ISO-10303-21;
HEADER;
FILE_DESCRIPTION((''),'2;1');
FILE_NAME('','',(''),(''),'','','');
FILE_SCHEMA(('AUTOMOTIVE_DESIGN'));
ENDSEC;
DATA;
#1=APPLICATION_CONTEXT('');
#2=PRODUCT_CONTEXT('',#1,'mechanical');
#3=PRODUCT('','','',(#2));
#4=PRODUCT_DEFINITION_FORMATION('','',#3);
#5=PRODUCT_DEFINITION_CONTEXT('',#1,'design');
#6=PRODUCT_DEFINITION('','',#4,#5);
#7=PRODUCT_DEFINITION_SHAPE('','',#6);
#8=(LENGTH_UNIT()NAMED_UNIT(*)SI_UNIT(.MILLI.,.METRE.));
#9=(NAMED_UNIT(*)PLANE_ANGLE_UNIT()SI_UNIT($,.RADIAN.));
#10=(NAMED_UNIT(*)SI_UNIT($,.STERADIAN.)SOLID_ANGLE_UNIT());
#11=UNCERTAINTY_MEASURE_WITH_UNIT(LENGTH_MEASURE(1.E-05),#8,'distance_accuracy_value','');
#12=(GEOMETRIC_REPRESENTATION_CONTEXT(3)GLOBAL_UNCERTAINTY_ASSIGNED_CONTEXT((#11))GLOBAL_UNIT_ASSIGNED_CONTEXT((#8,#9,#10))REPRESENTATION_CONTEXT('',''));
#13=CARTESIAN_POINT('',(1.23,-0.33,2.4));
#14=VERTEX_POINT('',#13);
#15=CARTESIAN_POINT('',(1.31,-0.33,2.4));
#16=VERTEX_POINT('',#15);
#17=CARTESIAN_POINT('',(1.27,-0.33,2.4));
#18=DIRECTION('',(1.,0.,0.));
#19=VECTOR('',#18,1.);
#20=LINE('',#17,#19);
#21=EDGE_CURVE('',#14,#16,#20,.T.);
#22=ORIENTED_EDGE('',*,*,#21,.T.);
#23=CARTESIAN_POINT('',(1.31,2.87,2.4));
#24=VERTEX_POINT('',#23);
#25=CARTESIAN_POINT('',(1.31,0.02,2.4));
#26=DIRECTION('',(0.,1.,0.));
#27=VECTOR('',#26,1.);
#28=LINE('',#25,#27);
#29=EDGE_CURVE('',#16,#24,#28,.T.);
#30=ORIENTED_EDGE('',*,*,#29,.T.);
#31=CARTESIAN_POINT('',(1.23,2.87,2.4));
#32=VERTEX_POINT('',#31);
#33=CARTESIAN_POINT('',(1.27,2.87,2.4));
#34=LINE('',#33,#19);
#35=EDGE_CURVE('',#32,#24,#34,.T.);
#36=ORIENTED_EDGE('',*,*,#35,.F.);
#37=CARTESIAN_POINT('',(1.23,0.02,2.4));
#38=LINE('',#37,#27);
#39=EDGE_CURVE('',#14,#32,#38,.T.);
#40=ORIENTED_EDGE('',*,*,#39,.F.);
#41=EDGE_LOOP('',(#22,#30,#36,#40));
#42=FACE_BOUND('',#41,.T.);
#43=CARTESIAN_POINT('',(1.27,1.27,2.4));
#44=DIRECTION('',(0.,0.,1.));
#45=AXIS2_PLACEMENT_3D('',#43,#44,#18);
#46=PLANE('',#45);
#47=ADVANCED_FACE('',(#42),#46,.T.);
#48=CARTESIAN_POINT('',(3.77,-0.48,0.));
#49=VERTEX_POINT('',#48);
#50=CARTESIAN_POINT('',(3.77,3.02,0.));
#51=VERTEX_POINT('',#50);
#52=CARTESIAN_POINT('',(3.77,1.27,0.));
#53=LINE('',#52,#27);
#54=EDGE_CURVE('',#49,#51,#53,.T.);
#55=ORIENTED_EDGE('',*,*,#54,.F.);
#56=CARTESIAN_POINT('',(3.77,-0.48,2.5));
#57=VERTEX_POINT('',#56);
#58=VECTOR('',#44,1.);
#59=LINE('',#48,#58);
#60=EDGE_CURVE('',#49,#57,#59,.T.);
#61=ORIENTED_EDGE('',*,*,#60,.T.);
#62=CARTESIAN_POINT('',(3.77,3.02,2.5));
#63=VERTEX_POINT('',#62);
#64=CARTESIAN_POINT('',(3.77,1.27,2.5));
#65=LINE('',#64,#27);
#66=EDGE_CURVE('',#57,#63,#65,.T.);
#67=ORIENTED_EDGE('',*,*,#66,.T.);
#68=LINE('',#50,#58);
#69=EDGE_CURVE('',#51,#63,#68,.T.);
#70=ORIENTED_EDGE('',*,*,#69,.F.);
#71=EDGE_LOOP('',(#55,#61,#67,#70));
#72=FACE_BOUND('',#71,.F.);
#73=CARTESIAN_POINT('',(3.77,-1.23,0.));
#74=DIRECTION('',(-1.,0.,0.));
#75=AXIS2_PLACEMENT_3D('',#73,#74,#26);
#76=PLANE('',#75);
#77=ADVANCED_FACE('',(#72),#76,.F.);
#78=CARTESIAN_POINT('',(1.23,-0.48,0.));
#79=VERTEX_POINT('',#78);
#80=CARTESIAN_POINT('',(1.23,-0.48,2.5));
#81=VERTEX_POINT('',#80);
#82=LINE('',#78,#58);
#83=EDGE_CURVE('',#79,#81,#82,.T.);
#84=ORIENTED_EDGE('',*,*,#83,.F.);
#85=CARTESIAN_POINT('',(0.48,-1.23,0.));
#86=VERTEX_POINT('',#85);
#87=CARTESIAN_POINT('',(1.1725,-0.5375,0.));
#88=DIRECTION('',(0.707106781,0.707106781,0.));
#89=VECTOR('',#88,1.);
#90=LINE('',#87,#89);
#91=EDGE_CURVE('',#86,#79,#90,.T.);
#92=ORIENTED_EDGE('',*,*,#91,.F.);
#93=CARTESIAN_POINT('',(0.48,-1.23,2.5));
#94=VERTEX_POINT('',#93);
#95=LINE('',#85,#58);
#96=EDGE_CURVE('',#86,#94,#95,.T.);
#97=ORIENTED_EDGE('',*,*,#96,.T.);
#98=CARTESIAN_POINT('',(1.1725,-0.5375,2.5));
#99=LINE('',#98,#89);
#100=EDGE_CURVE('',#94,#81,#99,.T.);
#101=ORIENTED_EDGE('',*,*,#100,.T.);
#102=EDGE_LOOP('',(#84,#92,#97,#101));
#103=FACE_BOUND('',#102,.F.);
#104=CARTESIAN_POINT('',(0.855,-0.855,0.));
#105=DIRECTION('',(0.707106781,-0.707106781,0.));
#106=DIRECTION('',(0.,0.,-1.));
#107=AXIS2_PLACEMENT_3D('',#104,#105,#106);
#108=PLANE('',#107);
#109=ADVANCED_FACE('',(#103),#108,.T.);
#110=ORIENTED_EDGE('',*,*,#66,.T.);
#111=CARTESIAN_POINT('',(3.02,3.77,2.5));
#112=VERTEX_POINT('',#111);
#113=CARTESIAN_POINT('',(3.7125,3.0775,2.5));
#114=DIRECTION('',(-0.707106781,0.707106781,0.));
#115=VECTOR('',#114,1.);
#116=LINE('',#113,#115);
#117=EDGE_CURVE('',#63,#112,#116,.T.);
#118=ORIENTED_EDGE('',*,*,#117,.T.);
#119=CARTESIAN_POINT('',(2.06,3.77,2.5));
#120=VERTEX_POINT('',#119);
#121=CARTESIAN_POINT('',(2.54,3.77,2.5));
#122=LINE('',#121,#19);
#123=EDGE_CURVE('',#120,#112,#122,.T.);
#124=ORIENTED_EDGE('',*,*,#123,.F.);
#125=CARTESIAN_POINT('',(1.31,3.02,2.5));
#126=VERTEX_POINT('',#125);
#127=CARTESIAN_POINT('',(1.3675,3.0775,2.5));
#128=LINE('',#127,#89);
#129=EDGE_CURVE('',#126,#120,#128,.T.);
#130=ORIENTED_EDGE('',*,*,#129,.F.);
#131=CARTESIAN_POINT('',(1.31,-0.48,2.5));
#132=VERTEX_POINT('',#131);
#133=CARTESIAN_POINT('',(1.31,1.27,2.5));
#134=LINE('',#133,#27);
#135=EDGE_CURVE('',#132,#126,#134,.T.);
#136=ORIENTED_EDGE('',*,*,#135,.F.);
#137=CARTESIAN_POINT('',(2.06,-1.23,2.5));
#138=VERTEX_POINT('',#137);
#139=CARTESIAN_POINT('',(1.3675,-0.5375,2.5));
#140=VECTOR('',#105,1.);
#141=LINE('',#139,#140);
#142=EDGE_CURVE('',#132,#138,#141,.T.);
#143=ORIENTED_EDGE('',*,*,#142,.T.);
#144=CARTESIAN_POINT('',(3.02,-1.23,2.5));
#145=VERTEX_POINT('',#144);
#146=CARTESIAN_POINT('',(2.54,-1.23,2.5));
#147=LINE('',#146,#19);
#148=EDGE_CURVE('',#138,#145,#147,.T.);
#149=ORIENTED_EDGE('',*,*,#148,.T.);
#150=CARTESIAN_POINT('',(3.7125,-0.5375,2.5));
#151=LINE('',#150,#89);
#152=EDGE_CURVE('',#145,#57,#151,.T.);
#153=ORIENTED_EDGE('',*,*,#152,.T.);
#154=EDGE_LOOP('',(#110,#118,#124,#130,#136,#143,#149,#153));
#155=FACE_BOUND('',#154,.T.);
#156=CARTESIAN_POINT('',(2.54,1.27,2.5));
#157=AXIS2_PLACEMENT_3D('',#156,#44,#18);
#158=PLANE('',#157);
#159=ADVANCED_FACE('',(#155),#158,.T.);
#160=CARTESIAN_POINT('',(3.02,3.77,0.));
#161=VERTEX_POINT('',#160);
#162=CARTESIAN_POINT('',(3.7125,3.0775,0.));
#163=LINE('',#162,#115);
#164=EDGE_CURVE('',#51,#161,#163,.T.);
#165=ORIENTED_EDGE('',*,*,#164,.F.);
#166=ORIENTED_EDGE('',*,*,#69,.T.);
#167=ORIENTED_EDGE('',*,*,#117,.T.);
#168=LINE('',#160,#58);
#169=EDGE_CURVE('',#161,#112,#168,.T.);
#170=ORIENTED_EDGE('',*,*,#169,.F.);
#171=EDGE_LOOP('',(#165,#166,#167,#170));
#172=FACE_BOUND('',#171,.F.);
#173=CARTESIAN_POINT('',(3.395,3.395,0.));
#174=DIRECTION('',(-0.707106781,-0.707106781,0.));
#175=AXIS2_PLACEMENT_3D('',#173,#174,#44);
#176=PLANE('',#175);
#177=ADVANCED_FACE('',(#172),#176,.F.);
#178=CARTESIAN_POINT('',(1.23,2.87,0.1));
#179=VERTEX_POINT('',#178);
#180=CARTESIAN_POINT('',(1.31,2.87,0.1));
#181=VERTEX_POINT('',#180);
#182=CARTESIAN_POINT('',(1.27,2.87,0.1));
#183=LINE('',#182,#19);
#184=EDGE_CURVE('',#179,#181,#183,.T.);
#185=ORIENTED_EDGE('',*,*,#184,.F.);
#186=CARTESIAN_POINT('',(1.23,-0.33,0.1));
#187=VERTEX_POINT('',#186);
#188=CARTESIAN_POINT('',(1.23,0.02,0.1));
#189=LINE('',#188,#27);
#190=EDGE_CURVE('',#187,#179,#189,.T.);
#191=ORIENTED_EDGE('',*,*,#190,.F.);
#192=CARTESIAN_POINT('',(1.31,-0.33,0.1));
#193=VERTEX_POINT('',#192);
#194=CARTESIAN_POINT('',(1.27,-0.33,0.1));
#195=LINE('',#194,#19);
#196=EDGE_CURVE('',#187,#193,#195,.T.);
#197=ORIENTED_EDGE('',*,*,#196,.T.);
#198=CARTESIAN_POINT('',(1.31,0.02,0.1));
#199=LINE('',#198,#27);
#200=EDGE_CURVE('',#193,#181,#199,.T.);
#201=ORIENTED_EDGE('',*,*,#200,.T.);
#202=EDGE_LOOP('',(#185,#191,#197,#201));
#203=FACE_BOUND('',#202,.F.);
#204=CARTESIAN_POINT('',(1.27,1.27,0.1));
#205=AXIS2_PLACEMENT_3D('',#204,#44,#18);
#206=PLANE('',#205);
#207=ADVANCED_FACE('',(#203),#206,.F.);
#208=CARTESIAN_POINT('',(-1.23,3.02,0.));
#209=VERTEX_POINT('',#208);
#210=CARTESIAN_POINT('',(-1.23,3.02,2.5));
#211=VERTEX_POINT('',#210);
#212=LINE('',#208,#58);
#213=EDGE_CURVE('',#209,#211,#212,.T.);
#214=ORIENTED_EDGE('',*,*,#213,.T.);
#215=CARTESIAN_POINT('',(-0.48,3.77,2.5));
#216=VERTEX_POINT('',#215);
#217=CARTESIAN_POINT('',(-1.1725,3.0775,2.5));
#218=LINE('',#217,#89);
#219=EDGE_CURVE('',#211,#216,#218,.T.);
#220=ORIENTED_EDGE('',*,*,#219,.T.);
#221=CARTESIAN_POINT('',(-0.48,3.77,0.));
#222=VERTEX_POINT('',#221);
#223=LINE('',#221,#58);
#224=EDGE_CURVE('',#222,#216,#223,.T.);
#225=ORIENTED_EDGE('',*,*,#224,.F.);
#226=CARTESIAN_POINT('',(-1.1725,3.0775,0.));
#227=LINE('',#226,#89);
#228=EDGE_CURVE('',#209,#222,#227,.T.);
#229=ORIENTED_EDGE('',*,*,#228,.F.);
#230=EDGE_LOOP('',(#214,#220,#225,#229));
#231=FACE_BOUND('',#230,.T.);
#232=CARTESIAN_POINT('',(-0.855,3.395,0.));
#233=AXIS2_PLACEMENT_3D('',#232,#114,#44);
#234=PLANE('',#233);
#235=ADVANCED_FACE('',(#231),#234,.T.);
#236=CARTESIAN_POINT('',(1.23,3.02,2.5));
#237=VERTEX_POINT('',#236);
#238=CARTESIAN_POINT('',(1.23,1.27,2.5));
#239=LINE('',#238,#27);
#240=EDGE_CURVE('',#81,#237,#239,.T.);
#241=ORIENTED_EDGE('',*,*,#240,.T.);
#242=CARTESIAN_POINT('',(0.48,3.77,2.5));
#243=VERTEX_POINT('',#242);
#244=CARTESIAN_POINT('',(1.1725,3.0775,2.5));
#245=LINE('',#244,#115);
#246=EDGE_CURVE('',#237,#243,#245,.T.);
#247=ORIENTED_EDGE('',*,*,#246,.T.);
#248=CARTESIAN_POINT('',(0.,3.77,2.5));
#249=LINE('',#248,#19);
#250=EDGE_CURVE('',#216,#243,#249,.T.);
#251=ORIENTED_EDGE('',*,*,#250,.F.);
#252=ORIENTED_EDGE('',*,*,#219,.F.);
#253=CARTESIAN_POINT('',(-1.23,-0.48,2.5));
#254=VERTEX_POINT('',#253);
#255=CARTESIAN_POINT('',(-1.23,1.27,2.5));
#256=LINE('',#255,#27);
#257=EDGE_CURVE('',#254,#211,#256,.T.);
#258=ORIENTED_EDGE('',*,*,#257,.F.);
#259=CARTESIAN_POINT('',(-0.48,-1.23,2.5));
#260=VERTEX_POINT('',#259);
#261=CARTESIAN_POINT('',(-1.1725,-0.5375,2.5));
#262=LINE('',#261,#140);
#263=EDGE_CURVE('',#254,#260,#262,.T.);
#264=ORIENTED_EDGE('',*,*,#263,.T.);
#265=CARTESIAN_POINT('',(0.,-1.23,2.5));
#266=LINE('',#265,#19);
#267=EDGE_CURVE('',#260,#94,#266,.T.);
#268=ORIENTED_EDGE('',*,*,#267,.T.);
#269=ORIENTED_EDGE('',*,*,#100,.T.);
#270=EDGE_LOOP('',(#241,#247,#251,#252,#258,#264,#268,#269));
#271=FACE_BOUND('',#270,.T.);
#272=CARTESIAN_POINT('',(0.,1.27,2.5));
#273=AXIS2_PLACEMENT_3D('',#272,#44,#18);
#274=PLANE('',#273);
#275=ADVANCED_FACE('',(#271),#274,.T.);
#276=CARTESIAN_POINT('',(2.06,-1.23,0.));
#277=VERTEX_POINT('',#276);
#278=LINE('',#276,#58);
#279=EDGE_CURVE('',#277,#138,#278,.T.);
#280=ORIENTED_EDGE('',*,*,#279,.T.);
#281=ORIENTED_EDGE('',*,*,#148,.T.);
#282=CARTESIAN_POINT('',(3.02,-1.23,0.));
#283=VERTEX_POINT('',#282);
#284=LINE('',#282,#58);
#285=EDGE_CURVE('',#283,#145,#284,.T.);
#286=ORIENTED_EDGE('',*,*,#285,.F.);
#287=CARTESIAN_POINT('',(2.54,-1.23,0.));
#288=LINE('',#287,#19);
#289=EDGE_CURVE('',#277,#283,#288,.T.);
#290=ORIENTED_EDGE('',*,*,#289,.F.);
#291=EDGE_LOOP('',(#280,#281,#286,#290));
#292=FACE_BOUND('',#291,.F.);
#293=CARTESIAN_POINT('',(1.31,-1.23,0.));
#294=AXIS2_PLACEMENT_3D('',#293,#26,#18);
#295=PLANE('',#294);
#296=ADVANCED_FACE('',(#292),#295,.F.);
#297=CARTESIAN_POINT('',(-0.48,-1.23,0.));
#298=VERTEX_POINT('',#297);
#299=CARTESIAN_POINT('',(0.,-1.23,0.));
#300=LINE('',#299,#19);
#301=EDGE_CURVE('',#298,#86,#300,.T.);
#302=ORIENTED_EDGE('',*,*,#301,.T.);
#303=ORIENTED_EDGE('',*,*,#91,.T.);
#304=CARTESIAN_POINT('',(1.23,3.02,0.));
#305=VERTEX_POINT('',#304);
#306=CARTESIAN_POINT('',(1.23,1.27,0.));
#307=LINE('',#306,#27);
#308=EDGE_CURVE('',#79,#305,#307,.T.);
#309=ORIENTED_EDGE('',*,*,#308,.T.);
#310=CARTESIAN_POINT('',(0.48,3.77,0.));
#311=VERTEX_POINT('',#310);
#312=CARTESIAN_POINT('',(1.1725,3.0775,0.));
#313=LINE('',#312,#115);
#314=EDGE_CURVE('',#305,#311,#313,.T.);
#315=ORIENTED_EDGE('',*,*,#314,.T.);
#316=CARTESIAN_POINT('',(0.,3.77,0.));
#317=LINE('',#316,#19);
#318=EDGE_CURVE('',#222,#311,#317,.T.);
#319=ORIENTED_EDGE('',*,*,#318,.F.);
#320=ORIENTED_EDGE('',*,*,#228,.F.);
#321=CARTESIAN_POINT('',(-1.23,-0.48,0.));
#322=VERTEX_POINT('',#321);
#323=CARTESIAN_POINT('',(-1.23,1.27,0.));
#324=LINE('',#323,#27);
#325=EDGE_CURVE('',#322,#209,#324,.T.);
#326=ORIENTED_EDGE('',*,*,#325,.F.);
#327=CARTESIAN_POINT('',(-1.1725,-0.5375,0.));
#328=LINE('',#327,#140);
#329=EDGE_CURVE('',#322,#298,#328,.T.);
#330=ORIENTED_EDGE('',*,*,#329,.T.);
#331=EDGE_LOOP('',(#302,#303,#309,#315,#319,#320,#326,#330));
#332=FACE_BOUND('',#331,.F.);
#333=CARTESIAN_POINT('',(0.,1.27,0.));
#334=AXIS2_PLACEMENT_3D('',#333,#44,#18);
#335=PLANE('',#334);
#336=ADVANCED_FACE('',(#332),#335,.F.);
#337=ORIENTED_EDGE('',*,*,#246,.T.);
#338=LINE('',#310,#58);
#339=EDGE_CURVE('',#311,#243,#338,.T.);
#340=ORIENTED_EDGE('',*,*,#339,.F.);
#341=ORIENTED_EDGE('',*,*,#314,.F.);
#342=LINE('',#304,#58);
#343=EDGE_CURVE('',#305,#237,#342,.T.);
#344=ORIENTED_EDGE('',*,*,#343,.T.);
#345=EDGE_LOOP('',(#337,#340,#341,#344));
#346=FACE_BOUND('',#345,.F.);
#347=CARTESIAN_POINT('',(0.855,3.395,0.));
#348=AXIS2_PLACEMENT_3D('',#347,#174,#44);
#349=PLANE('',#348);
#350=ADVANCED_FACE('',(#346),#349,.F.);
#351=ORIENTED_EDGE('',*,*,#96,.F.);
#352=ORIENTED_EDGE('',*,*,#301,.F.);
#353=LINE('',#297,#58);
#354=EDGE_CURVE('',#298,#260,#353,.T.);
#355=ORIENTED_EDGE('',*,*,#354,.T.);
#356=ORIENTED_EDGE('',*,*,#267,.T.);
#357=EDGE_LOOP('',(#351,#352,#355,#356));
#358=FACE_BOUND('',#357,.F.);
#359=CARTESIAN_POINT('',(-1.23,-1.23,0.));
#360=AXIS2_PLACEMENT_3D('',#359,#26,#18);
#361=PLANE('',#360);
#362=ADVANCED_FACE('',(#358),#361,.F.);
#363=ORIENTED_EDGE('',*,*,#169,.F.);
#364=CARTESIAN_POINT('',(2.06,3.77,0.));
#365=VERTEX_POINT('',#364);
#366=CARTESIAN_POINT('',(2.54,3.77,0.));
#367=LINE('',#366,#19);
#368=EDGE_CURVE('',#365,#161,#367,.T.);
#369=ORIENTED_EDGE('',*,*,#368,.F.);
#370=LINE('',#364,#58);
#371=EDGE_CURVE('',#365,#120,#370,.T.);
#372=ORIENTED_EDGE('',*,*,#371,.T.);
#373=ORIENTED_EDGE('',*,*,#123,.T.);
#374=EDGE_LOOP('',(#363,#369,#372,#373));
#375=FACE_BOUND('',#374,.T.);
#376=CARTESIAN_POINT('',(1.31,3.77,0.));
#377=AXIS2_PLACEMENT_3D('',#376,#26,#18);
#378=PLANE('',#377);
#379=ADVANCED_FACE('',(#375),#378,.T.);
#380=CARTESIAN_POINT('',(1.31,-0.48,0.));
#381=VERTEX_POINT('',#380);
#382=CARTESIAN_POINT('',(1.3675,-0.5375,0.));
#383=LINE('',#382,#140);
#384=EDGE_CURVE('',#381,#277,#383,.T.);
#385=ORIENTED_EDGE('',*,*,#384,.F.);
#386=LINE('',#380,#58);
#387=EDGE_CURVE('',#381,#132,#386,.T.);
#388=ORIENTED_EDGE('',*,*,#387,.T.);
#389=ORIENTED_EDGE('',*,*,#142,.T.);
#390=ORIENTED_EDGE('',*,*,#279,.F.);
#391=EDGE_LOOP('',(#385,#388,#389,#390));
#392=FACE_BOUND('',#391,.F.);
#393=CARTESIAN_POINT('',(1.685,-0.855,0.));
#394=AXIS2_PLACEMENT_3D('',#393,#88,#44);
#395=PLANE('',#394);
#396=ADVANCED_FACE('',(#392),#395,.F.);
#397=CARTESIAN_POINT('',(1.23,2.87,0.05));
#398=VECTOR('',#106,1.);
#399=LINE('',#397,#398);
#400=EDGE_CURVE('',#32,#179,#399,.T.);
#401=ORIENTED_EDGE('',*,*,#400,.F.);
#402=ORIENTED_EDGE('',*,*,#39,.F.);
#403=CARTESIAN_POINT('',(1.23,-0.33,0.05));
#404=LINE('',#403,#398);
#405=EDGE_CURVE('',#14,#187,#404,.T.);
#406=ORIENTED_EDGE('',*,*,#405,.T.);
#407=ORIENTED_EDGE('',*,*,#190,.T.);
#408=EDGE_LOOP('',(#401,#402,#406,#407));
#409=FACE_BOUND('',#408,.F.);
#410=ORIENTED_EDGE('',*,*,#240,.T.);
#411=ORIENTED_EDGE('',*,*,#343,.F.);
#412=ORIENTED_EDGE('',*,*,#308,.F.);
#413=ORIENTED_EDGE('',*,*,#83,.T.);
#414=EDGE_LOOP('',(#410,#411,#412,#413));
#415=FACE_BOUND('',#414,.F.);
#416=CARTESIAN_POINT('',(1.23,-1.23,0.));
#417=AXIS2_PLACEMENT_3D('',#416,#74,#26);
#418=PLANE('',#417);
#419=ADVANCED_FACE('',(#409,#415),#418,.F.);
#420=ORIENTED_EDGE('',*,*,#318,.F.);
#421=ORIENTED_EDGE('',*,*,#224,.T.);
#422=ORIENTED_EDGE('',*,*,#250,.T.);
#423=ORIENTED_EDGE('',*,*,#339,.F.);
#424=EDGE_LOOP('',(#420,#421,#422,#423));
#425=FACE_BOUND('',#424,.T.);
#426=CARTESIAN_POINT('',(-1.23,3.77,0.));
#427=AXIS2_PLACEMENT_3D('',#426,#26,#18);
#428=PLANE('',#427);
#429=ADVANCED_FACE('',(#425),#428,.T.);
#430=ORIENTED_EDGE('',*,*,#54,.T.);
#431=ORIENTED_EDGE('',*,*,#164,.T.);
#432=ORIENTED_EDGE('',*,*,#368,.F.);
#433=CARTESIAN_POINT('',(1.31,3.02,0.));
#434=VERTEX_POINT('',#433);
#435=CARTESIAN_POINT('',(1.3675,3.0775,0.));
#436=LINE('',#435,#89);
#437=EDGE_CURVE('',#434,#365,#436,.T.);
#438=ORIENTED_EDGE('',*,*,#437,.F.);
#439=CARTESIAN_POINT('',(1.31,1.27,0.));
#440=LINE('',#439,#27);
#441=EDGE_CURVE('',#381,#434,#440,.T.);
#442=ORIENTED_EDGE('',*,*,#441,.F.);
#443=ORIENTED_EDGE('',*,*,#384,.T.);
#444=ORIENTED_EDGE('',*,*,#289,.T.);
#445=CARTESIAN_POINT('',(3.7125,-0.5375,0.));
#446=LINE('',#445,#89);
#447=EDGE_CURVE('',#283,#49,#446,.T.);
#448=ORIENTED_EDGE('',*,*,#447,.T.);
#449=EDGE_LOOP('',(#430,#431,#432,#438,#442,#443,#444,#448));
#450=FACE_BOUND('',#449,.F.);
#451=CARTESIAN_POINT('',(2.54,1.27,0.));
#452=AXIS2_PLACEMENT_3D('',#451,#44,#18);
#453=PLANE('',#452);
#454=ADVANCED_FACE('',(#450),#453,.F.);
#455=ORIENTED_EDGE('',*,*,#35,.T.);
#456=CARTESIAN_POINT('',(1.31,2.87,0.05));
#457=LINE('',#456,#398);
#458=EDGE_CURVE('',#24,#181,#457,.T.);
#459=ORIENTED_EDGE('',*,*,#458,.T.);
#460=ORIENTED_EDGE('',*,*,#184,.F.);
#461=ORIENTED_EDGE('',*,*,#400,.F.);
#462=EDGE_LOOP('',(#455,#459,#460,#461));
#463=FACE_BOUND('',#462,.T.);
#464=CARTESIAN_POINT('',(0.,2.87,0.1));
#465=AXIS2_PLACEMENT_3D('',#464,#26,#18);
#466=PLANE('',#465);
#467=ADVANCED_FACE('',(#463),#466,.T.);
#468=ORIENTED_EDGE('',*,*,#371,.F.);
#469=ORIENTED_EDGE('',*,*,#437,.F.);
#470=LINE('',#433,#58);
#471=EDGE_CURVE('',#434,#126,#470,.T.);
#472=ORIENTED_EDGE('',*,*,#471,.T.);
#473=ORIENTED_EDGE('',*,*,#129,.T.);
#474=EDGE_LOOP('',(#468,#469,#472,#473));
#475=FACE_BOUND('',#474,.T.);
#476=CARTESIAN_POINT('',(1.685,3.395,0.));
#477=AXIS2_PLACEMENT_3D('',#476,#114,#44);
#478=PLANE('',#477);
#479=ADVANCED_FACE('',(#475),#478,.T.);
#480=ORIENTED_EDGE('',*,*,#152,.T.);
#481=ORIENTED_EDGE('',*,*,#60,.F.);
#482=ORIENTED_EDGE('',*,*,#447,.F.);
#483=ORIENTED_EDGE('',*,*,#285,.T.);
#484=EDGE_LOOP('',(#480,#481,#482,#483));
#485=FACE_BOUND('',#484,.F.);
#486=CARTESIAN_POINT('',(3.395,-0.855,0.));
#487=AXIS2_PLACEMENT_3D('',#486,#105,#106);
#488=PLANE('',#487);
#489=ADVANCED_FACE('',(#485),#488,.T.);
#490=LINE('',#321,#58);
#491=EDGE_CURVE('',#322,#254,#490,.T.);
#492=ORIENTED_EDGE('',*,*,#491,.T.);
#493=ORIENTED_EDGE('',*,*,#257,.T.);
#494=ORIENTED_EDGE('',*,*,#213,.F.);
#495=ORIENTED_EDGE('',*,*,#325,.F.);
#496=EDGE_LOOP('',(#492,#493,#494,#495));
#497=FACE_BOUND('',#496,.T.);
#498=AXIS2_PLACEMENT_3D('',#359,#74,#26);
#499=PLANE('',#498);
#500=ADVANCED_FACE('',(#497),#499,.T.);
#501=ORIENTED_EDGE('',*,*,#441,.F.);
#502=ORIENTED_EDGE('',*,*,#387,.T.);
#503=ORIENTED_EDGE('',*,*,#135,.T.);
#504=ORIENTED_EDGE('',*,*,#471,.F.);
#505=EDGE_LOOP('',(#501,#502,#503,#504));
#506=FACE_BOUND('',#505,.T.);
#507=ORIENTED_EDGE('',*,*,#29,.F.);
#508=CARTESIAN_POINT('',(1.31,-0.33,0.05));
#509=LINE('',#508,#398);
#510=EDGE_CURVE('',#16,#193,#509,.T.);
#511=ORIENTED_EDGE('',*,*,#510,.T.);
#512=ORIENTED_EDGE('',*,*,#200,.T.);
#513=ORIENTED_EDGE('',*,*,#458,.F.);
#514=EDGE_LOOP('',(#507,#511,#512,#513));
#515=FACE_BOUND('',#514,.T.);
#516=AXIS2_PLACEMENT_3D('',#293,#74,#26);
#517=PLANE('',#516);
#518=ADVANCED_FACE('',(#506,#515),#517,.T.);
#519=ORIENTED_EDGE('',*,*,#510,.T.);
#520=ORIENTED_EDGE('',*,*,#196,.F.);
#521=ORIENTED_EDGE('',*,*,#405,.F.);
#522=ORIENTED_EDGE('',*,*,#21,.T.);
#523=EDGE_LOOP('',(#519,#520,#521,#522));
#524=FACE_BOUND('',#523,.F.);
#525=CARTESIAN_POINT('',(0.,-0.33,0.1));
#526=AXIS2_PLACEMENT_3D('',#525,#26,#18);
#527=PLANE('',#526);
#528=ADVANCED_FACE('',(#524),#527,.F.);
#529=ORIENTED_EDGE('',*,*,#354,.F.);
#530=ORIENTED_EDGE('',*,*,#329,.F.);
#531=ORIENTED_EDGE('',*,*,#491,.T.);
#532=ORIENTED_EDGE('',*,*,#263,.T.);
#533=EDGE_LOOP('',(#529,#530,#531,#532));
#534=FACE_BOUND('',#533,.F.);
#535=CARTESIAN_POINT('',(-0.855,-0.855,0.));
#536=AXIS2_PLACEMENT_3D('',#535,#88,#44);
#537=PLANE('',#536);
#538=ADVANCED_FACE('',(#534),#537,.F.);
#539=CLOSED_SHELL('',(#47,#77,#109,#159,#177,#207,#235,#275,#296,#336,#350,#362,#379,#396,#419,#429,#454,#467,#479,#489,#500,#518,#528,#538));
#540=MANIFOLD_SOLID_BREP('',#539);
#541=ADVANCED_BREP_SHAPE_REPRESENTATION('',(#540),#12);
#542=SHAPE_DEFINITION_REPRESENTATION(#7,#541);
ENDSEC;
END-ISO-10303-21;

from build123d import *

# Parameters (mm, degrees)
BOX025_W         = 2.54
BOX025_H         = 3.2
BOX025_DEPTH     = 2.3
BOX023_W         = 2.46
BOX023_H         = 5
BOX023_DEPTH     = 2.5
CHAMFER004_SIZE  = 0.75
ARRAY010_X_COUNT = 2
ARRAY010_X_PITCH = 2.54


with BuildPart() as cube001:
    # Box025 → Box025 (new body)
    with BuildSketch(Plane(origin=(0, -0.33, 0.1), x_dir=(1, 0, 0), z_dir=(0, 0, 1))):
        with Locations((1.27, 1.6)):
            Rectangle(BOX025_W, BOX025_H)
    extrude(amount=BOX025_DEPTH)


with BuildPart() as body:
    # Box023 → Box023 (new body)
    with BuildSketch(Plane(origin=(-1.23, -1.23, 0), x_dir=(1, 0, 0), z_dir=(0, 0, 1))):
        with Locations((1.23, 2.5)):
            Rectangle(BOX023_W, BOX023_H)
    extrude(amount=BOX023_DEPTH)

    # Chamfer004
    chamfer004_edges = [body.edges().sort_by_distance(p)[0] for p in [
        (-1.23, -1.23, 1.25),
        (-1.23, 3.77, 1.25),
        (1.23, -1.23, 1.25),
        (1.23, 3.77, 1.25),
    ]]
    chamfer(chamfer004_edges, length=CHAMFER004_SIZE)

    # Array010 X: Body ×2


with BuildPart() as body_1:
    add(body.part)
    with Locations(*[(i * ARRAY010_X_PITCH, 0, 0) for i in range(1, ARRAY010_X_COUNT)]):
        add(body.part)

    # Fusion021: union Cube001
    add(cube001.part)


solid = body_1.part
